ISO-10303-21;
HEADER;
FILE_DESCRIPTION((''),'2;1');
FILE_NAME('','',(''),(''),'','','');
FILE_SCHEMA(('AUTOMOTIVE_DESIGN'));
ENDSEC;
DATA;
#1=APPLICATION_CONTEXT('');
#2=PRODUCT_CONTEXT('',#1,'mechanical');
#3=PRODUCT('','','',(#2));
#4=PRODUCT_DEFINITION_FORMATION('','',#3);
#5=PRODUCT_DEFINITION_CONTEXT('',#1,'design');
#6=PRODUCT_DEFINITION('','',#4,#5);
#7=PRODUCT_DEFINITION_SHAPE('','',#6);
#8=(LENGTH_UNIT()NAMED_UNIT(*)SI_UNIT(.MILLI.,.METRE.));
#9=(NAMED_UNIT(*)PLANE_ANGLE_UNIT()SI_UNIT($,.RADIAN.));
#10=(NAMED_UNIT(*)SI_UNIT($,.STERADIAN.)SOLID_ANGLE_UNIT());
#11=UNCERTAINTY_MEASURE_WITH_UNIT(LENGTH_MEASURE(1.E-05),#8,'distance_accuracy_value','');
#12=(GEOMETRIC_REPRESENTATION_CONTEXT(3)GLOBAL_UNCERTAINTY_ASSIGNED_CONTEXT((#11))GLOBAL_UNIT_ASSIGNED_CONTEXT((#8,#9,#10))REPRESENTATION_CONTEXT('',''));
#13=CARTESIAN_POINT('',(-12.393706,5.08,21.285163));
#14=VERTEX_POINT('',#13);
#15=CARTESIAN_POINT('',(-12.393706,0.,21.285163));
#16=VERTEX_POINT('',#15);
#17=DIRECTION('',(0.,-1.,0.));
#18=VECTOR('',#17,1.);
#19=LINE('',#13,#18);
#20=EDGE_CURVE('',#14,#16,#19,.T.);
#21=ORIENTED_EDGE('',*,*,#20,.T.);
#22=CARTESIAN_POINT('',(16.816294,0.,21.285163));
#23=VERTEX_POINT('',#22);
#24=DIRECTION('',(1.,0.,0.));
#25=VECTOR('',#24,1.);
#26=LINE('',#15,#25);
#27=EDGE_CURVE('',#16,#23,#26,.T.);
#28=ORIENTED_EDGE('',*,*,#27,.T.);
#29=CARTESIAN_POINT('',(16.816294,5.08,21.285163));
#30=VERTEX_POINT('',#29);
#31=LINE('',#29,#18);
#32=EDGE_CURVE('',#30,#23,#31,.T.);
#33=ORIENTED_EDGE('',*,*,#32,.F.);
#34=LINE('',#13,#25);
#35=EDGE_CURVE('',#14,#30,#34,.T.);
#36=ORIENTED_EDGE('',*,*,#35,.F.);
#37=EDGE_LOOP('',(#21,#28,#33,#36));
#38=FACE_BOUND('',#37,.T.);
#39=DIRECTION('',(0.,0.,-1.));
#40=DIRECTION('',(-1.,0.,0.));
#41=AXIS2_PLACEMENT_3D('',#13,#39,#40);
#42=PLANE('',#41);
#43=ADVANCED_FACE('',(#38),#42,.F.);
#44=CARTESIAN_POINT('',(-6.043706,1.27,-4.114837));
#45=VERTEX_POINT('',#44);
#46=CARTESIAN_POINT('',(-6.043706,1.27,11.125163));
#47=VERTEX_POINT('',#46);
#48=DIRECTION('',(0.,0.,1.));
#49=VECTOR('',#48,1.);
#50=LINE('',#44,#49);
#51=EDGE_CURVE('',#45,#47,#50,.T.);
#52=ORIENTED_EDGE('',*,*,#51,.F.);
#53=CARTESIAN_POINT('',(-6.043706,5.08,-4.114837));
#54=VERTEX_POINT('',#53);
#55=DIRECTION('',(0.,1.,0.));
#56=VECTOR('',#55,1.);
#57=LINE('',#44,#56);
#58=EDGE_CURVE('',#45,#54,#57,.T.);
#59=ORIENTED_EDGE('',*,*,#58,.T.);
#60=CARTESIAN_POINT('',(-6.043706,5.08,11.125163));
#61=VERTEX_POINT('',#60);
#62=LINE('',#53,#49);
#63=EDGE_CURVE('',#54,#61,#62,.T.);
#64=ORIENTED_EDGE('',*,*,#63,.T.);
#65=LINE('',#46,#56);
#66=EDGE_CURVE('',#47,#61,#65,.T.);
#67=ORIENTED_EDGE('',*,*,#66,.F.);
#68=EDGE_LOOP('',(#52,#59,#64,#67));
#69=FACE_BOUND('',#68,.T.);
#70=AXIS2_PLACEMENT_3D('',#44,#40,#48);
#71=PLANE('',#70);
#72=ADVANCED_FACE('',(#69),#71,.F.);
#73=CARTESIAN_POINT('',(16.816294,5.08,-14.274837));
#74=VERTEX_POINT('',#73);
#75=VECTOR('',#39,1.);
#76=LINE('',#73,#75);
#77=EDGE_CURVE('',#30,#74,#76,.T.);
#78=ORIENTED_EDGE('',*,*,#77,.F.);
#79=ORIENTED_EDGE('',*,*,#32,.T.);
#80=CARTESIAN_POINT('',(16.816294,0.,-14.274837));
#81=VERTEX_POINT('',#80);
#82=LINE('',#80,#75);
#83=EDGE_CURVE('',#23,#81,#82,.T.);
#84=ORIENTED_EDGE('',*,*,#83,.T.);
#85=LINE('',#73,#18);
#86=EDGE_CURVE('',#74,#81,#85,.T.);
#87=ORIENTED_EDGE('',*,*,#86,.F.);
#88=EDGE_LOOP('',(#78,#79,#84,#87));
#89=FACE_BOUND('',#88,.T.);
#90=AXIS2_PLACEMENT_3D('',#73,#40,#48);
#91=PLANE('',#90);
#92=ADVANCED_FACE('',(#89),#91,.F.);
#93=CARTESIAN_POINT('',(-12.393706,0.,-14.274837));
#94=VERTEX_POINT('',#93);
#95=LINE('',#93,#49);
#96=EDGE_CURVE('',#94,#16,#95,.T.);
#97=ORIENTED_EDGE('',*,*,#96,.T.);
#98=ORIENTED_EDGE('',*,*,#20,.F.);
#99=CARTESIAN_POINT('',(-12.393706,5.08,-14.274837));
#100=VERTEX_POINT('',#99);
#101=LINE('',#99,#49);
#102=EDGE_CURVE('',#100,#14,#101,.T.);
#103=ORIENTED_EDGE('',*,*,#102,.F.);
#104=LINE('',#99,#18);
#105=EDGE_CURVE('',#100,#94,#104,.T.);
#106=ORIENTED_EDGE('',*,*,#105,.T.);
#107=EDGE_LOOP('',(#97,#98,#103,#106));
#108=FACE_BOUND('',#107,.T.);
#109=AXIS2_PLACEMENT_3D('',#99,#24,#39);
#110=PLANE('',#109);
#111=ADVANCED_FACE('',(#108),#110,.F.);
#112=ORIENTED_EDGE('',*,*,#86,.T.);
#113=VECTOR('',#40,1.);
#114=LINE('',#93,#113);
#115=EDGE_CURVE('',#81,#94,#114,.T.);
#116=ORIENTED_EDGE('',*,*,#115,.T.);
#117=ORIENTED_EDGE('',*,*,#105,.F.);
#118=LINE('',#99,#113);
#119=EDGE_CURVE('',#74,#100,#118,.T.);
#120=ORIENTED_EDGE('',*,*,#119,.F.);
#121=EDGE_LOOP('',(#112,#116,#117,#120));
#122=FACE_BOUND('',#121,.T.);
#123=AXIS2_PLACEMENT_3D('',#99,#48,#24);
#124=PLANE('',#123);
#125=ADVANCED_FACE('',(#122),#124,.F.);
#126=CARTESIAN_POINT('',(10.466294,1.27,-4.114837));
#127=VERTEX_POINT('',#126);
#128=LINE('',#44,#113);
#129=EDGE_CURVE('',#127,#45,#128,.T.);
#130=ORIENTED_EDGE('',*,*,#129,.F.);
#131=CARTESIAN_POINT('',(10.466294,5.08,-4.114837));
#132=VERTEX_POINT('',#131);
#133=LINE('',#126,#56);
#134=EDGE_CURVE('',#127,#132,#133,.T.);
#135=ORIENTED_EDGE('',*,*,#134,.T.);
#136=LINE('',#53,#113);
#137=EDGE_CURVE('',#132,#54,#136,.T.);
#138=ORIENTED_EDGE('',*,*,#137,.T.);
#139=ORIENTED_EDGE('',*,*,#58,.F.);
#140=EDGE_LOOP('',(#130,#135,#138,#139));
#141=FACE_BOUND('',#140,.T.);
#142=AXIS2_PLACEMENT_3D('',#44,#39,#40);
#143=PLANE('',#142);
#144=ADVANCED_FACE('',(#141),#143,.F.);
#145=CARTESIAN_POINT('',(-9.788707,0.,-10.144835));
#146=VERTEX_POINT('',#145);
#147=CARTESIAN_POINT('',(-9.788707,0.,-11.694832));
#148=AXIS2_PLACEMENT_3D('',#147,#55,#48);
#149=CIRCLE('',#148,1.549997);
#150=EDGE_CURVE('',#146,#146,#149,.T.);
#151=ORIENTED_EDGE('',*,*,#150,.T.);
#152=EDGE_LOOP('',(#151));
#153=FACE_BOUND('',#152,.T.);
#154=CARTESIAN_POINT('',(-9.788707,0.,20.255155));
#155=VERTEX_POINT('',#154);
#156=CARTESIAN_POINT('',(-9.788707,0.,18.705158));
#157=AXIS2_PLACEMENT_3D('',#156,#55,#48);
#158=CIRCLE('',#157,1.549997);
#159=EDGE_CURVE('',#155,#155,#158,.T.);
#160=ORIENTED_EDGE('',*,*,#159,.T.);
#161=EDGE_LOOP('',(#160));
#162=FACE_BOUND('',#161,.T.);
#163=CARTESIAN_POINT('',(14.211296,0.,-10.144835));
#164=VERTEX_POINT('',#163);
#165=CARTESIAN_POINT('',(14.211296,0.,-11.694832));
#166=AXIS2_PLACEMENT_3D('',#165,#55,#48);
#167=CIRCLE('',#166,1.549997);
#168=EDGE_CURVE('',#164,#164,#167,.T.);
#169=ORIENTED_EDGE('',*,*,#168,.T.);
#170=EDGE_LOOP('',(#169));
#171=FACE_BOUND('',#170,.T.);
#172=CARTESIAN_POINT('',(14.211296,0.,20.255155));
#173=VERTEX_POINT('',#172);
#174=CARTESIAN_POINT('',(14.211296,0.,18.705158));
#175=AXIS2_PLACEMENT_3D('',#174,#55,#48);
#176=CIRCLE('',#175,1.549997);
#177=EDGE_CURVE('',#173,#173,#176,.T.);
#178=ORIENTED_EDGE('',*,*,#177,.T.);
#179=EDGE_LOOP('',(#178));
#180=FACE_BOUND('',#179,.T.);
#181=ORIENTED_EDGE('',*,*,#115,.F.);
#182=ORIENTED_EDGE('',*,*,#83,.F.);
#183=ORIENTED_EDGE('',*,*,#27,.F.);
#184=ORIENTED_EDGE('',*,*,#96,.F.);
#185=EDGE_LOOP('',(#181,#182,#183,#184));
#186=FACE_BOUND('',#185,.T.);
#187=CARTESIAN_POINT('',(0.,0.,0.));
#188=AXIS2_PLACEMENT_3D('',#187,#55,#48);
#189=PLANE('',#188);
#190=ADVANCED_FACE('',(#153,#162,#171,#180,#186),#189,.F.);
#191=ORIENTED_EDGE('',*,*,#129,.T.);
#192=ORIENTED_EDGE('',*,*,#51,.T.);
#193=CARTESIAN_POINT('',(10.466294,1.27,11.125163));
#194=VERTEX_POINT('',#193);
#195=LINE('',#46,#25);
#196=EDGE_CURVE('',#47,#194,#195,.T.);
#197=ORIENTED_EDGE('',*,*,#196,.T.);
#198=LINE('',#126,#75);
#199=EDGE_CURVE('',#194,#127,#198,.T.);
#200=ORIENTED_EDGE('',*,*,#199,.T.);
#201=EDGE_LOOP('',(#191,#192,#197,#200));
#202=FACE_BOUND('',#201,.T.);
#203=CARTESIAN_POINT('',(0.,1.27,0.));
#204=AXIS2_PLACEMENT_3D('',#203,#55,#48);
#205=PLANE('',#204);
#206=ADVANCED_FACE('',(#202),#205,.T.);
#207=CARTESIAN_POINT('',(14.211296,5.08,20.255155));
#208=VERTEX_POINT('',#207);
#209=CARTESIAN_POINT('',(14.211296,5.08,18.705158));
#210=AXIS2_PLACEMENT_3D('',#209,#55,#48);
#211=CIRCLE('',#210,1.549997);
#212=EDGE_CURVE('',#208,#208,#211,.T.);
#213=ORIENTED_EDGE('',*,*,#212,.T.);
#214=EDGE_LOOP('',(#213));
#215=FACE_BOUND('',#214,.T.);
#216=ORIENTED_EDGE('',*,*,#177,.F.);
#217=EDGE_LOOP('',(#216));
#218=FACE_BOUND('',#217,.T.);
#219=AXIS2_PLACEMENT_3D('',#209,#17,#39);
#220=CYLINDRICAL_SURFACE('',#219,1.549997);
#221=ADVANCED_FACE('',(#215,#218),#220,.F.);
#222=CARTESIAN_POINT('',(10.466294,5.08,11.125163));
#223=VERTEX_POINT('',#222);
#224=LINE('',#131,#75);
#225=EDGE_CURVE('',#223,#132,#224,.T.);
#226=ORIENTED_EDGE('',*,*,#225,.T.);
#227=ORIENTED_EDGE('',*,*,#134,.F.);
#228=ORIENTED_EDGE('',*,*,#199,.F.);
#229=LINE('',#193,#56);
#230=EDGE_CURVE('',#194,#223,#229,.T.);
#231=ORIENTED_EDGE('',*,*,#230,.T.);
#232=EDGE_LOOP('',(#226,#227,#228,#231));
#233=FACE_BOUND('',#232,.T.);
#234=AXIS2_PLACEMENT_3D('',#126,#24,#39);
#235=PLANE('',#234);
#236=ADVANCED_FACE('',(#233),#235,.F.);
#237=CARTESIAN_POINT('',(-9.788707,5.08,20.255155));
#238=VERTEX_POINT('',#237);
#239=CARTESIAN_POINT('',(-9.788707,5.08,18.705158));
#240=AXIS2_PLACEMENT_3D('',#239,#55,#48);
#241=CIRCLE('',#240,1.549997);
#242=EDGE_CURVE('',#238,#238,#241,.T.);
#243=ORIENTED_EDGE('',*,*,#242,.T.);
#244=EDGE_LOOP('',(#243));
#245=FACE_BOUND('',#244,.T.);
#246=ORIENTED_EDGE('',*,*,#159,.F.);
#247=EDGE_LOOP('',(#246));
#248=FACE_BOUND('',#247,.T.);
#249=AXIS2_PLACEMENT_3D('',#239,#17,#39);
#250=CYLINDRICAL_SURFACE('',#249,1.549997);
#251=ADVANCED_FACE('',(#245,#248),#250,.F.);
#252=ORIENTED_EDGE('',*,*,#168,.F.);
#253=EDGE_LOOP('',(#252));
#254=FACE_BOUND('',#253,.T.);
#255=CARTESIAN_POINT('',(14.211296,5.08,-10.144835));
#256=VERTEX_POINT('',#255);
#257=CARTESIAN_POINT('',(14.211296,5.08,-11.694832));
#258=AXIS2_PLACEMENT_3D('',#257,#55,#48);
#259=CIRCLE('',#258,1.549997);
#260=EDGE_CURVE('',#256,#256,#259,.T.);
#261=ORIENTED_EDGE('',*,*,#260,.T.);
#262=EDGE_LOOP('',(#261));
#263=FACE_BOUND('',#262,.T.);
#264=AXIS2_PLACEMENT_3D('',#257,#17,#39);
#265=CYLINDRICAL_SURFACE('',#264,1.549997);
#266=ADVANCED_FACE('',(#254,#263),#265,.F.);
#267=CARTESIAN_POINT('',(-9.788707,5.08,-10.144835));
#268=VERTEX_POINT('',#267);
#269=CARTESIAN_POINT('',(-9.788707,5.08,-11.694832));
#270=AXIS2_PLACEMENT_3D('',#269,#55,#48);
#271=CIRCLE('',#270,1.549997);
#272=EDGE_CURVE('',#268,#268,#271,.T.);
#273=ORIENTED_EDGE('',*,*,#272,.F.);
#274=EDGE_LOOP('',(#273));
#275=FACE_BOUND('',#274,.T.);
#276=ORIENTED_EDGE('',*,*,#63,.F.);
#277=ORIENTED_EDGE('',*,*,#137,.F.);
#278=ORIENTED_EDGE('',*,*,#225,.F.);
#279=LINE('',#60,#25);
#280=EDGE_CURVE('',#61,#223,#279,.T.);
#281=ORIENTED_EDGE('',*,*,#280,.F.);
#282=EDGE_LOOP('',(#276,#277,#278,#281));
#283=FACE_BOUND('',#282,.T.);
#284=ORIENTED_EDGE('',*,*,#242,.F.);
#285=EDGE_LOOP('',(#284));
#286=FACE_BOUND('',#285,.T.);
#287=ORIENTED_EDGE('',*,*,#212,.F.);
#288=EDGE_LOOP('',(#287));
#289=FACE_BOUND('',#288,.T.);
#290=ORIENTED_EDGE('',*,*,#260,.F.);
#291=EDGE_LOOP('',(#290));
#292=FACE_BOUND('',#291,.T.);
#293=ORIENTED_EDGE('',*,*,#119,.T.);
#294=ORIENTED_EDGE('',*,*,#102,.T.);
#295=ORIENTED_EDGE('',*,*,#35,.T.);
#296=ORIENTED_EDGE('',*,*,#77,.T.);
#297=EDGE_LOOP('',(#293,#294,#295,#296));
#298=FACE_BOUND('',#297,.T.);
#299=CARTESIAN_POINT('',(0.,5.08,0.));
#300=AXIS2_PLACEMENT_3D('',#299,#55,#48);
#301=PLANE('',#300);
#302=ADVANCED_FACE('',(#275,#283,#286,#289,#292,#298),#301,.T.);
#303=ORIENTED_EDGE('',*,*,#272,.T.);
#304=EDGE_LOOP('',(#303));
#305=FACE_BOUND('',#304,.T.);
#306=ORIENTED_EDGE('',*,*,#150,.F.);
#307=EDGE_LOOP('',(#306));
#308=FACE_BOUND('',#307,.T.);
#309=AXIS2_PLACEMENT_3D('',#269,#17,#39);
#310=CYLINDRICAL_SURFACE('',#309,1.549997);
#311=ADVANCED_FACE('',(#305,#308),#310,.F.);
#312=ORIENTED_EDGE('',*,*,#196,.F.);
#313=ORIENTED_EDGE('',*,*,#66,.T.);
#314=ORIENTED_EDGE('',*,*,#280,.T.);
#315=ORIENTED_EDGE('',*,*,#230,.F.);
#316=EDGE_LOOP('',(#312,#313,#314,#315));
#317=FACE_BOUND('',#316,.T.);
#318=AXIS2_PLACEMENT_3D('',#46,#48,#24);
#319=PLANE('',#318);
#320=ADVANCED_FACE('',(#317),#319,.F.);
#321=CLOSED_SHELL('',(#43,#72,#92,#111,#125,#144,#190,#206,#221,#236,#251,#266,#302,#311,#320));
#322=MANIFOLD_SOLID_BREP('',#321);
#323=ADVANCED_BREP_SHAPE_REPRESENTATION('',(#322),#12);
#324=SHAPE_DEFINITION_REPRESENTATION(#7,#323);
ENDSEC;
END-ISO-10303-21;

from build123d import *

# Parameters (mm, degrees)
SKETCH1_W           = 29.21
SKETCH1_H           = 35.56
SKETCH1_R           = 1.5499969
BOSS_EXTRUDE1_DEPTH = 5.08
SKETCH2_W           = 16.51
SKETCH2_H           = 15.24
CUT_EXTRUDE1_DEPTH  = 3.81


with BuildPart() as part:
    # Sketch1 → Boss-Extrude1 (new body)
    with BuildSketch(Plane(origin=(0, 0, 0), x_dir=(1, 0, 0), z_dir=(0, 1, 0))):
        with Locations((2.211294118, -3.505162647)):
            Rectangle(SKETCH1_W, SKETCH1_H)
        with Locations(Location((-9.788707282, 11.694832353, 0), (0, 0, 270))):
            Circle(SKETCH1_R, mode=Mode.SUBTRACT)
        with Locations(Location((14.211295518, 11.694832353, 0), (0, 0, 270))):
            Circle(SKETCH1_R, mode=Mode.SUBTRACT)
        with Locations(Location((14.211295518, -18.705157647, 0), (0, 0, 270))):
            Circle(SKETCH1_R, mode=Mode.SUBTRACT)
        with Locations(Location((-9.788707282, -18.705157647, 0), (0, 0, 270))):
            Circle(SKETCH1_R, mode=Mode.SUBTRACT)
    extrude(amount=BOSS_EXTRUDE1_DEPTH)

    # Sketch2 → Cut-Extrude1 (cut)
    with BuildSketch(Plane(origin=(0, 5.08, 0), x_dir=(1, 0, 0), z_dir=(0, 1, 0))):
        with Locations((2.211294118, -3.505162647)):
            Rectangle(SKETCH2_W, SKETCH2_H)
    extrude(amount=-CUT_EXTRUDE1_DEPTH, mode=Mode.SUBTRACT)


solid = part.part
